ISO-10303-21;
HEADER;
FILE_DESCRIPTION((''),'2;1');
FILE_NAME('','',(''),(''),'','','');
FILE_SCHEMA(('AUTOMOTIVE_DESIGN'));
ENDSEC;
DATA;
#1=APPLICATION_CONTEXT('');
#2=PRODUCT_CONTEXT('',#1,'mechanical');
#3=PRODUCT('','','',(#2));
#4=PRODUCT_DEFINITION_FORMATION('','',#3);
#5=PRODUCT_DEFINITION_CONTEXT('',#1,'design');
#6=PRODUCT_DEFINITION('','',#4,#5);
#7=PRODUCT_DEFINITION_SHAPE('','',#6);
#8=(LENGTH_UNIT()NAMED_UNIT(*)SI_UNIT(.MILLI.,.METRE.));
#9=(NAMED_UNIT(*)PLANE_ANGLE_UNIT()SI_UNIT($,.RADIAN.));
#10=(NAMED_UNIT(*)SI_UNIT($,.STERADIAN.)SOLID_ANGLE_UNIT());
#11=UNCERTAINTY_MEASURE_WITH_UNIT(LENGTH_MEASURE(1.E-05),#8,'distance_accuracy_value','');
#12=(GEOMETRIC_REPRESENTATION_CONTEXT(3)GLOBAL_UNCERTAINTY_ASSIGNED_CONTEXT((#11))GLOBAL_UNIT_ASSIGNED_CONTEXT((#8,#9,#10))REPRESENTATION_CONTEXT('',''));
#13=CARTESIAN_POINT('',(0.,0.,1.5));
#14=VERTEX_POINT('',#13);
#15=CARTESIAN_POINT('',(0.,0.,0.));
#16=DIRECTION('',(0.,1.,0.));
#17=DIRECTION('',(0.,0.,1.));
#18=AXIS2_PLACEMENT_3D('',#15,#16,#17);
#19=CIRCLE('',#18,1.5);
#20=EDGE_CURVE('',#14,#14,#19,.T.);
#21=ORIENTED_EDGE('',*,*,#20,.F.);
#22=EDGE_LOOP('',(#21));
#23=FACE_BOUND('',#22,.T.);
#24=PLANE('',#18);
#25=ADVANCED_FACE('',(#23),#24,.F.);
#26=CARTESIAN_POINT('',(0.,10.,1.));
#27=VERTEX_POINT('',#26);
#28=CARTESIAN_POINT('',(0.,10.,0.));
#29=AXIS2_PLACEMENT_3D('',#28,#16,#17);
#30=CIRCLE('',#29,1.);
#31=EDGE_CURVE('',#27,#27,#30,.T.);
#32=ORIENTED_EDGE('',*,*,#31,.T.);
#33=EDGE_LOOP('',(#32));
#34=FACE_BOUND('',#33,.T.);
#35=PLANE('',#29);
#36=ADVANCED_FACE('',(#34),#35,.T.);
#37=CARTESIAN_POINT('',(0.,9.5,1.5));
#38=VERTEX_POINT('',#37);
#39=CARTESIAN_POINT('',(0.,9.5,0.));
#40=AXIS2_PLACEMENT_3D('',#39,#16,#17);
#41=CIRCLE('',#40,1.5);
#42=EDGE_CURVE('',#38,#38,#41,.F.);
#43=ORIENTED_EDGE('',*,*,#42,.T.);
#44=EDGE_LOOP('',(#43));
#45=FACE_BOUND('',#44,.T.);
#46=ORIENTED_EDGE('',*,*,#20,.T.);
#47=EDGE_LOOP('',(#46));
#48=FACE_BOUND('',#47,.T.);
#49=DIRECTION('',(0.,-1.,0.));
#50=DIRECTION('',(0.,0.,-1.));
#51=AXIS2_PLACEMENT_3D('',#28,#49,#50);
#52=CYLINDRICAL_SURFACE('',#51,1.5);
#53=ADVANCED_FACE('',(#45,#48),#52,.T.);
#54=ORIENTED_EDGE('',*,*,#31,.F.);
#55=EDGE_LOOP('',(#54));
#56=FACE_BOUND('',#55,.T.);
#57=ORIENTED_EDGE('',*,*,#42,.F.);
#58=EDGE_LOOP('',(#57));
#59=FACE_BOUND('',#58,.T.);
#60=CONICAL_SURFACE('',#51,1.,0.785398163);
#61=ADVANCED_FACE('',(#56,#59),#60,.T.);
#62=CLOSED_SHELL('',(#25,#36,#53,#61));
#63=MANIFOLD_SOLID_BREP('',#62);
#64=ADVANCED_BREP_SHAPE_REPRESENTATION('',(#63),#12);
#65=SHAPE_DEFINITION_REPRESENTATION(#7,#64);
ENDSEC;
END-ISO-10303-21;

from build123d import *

# Parameters (mm, degrees)
SKETCH_1_R      = 1.5
EXTRUDE_1_DEPTH = 10
CHAMFER_1_SIZE  = 0.5


with BuildPart() as part:
    # Эскиз1 → Бобышка-Вытянуть1 (new body)
    with BuildSketch(Plane(origin=(0, 0, 0), x_dir=(1, 0, 0), z_dir=(0, 1, 0))):
        with Locations(Location((0, 0, 0), (0, 0, 270))):
            Circle(SKETCH_1_R)
    extrude(amount=EXTRUDE_1_DEPTH)

    # Фаска1
    chamfer_1_edges = [part.edges().sort_by_distance(p)[0] for p in [
        (0, 10, -1.5),
    ]]
    chamfer(chamfer_1_edges, length=CHAMFER_1_SIZE)


solid = part.part
